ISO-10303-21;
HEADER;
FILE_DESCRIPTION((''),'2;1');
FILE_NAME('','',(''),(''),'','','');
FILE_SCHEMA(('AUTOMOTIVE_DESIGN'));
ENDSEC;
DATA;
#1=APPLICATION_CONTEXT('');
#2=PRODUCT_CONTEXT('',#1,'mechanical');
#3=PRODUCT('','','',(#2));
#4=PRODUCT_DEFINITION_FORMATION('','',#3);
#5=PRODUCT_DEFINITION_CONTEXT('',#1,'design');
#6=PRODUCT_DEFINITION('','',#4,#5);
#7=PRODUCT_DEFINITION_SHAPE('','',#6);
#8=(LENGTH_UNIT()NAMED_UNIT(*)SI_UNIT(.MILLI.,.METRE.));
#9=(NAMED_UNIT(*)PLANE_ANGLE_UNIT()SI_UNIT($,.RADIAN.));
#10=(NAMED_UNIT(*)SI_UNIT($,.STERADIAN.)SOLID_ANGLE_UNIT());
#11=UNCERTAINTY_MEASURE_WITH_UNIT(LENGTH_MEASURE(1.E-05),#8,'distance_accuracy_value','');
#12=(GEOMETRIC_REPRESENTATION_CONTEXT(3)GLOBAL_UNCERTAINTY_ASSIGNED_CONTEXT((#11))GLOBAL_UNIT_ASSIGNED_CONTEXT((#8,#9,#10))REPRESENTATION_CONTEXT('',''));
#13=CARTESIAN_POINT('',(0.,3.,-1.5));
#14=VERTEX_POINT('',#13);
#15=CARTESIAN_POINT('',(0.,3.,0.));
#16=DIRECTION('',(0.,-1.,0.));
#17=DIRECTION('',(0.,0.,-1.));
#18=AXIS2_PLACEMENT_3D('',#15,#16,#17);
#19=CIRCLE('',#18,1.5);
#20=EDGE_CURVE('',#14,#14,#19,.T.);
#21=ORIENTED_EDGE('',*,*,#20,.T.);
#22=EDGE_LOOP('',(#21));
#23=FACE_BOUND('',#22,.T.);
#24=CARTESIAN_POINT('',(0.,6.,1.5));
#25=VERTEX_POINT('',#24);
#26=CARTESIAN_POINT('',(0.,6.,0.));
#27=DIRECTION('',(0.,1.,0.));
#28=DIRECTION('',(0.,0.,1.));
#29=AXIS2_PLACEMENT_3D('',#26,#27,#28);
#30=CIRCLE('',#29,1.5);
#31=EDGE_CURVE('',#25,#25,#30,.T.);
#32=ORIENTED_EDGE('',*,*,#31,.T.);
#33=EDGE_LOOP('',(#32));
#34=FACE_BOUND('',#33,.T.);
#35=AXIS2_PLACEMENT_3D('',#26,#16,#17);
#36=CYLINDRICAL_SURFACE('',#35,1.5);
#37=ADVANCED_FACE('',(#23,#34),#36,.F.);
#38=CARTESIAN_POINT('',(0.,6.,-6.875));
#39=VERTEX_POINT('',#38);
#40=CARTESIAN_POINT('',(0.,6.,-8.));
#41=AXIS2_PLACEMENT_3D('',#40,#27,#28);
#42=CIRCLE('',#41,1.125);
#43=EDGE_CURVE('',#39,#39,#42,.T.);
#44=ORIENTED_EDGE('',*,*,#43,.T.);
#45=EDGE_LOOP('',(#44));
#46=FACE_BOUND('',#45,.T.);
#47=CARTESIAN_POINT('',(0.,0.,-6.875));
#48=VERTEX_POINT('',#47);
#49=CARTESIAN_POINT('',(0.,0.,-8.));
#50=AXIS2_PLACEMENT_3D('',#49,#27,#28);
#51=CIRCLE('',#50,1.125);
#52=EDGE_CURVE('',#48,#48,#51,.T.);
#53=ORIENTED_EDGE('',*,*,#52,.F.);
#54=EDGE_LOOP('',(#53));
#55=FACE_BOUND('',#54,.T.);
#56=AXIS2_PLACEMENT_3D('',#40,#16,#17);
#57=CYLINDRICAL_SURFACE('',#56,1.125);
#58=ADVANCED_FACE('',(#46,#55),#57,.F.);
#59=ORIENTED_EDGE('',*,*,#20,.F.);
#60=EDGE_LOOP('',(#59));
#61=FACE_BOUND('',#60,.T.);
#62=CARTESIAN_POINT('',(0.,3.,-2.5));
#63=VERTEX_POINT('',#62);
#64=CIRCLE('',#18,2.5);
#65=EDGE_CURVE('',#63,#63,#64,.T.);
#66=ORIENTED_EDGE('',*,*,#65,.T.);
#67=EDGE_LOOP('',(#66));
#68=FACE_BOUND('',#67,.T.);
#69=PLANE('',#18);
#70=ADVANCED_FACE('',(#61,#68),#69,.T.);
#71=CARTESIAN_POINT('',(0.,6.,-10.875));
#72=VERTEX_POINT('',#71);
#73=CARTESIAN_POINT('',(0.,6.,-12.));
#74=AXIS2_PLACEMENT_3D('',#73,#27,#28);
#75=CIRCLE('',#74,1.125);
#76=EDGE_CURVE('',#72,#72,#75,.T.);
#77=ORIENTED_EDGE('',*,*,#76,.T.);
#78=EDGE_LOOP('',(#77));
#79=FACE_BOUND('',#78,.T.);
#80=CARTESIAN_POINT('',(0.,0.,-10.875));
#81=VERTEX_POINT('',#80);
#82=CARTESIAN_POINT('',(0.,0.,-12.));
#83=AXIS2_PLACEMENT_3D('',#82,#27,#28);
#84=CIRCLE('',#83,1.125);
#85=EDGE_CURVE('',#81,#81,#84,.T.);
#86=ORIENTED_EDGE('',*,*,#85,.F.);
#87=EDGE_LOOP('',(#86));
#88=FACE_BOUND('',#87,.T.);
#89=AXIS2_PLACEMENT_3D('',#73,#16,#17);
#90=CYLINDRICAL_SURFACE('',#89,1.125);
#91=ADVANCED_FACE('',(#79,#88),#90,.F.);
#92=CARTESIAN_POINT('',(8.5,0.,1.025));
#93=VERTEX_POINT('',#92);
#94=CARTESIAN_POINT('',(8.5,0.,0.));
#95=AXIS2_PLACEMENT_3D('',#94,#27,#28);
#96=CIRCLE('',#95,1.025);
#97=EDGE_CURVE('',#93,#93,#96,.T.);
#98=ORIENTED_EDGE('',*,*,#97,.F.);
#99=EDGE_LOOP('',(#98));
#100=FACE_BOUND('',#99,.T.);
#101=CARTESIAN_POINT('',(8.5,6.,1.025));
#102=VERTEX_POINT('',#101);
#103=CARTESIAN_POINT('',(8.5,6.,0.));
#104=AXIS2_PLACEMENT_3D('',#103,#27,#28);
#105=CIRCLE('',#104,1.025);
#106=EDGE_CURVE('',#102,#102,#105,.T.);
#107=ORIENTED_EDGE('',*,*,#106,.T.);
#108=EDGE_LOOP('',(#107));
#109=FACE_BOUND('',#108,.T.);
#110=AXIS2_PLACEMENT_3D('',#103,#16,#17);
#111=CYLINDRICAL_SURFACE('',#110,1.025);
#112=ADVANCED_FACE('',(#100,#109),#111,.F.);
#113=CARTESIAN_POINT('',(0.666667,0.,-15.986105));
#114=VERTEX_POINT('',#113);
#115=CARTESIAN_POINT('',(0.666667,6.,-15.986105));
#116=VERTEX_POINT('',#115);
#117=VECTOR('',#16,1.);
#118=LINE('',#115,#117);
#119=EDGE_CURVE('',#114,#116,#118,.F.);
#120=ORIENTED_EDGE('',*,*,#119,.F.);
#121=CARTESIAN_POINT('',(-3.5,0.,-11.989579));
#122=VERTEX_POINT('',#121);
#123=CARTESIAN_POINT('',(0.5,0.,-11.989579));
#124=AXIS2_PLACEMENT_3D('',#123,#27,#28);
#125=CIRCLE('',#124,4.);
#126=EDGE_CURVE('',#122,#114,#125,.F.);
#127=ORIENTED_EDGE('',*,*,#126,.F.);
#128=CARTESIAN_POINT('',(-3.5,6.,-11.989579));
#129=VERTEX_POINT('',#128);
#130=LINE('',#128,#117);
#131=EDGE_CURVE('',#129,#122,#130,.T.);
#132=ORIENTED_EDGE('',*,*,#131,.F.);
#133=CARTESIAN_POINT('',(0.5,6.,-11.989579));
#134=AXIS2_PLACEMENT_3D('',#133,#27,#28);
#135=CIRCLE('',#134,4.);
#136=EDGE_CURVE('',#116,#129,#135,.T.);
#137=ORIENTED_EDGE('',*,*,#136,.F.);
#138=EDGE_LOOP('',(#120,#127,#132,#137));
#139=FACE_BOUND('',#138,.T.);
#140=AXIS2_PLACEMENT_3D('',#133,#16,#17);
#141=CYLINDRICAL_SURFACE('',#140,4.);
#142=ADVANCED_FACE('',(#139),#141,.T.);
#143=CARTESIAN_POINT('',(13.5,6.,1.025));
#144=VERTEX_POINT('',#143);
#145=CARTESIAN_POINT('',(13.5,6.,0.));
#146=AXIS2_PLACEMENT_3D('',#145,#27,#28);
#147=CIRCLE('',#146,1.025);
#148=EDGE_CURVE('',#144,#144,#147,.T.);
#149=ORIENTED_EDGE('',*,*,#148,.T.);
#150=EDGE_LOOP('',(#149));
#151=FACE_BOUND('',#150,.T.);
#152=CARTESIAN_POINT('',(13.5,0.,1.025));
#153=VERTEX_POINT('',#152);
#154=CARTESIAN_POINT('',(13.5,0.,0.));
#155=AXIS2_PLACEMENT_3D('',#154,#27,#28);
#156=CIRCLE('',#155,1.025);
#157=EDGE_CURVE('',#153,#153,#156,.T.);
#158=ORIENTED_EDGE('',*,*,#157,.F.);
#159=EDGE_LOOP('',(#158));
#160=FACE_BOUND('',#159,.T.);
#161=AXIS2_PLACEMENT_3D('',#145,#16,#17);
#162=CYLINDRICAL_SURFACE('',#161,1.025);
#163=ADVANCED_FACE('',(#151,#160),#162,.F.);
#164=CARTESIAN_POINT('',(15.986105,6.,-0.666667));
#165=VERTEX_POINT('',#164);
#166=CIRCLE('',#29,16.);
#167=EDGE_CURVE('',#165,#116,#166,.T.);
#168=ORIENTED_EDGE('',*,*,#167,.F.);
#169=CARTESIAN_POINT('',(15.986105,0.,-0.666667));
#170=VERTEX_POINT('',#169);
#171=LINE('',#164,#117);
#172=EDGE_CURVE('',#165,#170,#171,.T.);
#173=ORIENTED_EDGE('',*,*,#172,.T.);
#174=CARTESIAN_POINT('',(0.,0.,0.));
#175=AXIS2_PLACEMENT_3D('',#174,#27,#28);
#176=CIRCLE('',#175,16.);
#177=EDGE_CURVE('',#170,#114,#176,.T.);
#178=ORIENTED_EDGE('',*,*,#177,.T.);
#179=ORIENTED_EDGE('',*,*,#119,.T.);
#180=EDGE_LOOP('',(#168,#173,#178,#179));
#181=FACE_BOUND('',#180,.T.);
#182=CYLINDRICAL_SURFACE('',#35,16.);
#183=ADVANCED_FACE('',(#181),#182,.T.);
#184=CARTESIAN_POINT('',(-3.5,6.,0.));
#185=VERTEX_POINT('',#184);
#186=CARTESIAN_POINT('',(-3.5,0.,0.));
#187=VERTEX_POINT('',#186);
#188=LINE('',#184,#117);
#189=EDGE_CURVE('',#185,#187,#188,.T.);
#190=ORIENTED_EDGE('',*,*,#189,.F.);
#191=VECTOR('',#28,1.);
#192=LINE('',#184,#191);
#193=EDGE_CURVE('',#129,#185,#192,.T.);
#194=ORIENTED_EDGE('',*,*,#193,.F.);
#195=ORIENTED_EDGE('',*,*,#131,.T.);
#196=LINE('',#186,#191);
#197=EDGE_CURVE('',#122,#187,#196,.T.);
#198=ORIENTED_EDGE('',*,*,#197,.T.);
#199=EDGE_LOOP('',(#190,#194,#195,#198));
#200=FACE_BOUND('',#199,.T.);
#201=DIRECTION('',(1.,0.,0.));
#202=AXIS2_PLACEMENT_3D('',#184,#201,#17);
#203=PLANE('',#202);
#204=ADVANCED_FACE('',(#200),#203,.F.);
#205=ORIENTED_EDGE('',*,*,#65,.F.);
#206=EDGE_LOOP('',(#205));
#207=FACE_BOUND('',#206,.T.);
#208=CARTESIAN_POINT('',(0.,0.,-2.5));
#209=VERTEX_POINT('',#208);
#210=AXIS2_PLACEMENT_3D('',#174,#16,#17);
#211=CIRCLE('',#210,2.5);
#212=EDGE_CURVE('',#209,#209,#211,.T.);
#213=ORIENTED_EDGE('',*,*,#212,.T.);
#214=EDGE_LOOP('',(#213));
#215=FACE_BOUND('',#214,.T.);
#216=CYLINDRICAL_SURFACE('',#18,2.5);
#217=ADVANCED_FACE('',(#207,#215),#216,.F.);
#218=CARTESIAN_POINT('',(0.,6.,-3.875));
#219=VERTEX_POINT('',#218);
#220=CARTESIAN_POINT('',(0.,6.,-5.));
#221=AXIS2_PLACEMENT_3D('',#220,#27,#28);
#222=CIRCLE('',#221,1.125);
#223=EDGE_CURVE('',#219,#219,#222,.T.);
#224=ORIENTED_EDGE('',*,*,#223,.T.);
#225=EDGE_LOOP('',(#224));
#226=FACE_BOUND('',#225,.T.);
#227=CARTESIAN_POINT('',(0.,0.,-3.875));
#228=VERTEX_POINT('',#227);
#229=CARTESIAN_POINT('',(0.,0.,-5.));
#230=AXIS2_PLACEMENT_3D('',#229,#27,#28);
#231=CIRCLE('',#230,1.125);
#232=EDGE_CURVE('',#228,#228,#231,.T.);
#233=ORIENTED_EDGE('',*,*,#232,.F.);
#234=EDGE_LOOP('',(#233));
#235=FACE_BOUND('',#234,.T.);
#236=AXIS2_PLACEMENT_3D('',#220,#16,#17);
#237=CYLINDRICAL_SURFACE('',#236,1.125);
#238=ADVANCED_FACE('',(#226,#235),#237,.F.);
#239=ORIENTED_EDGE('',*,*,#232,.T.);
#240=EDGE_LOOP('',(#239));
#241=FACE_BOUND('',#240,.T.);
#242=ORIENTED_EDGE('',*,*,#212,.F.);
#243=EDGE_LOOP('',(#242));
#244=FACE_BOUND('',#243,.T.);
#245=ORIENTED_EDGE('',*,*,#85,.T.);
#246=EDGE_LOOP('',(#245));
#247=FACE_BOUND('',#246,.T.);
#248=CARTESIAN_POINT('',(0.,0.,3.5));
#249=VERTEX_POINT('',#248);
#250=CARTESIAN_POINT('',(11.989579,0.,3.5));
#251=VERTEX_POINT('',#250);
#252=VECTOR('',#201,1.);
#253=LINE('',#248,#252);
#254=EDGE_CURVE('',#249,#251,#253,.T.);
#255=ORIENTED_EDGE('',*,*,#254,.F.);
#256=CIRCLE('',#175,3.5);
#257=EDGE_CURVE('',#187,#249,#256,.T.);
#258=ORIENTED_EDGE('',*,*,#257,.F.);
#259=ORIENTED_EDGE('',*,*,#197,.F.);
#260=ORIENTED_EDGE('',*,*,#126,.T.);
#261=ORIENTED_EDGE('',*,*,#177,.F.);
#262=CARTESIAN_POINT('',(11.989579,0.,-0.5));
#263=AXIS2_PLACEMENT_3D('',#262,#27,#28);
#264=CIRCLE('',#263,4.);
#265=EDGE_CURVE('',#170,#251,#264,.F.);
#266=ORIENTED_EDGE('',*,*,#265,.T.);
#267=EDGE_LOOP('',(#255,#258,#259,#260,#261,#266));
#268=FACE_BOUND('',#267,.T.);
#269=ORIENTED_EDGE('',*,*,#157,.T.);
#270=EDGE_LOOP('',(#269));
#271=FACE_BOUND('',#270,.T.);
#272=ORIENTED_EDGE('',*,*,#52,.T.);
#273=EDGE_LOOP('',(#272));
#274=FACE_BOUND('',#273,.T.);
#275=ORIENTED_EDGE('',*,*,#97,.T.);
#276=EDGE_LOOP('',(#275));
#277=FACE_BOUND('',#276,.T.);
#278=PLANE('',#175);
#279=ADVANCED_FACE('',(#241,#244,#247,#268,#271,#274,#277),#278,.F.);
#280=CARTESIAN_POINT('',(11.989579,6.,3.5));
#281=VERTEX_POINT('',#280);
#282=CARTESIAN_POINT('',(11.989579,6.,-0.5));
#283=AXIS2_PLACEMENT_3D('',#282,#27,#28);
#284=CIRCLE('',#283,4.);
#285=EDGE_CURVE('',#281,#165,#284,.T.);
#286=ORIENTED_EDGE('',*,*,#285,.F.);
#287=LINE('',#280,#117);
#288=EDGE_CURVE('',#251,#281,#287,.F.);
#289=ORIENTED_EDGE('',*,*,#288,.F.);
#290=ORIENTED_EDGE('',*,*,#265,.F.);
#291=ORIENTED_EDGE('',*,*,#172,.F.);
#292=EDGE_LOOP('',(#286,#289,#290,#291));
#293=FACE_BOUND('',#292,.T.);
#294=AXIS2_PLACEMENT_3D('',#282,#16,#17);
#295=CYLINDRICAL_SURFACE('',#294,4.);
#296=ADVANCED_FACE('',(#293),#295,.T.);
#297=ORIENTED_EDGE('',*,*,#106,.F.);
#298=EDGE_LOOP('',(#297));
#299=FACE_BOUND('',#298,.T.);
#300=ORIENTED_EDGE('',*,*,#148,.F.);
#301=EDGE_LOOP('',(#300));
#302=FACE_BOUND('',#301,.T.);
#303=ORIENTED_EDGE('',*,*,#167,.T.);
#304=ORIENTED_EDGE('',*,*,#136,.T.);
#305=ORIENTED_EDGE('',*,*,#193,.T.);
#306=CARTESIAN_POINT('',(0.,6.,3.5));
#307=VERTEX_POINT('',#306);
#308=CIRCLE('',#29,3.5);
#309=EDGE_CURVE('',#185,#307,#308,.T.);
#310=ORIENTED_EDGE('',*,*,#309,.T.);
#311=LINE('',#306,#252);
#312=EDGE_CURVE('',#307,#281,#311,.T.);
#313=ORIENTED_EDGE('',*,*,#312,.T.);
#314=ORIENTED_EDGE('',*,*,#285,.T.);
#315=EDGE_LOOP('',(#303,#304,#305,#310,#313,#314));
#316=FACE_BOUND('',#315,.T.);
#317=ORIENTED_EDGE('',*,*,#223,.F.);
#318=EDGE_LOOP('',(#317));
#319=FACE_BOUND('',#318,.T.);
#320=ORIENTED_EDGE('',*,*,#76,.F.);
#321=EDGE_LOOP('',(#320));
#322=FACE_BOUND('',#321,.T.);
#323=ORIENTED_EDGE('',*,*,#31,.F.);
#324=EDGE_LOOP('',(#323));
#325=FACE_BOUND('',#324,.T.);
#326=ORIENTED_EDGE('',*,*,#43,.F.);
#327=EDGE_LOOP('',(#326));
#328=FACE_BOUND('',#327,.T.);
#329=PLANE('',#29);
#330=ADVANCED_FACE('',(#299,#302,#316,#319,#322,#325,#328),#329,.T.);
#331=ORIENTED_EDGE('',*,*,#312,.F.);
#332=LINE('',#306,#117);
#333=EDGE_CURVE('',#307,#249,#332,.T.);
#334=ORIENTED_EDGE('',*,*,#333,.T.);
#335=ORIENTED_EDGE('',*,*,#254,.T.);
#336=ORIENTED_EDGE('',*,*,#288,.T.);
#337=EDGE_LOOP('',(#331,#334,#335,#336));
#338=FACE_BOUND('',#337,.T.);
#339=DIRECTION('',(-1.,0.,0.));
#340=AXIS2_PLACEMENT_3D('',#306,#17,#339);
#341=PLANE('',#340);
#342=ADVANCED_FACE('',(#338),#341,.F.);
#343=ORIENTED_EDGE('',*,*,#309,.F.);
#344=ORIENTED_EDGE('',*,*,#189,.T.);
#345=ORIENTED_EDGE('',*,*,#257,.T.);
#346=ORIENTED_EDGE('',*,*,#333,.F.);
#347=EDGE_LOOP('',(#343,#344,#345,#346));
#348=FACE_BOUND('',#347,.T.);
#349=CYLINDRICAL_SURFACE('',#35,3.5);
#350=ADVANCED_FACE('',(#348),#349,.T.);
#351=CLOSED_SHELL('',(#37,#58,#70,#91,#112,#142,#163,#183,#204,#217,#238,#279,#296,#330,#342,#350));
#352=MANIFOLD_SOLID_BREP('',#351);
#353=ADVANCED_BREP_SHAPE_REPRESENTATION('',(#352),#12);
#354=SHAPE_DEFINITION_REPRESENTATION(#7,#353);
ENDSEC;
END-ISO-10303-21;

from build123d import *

# Parameters (mm, degrees)
SKETCH_1_R          = 1.025
SKETCH_1_R_2        = 1.5
SKETCH_1_R_3        = 1.125
EXTRUDE_1_DEPTH     = 6
SKETCH_3_R          = 2.5
CUT_EXTRUDE_1_DEPTH = 3
FILLET_1_R          = 4


with BuildPart() as part:
    # 草图1 → 凸台-拉伸1 (new body)
    with BuildSketch(Plane(origin=(0, 0, 0), x_dir=(1, 0, 0), z_dir=(0, 1, 0))):
        with BuildLine():
            Line((0, -3.5), (15.612494996, -3.5))
            ThreePointArc((15.612494996, -3.5), (11.313708499, 11.313708499), (-3.5, 15.612494996))
            Line((-3.5, 15.612494996), (-3.5, 0))
            ThreePointArc((-3.5, 0), (-2.474873734, -2.474873734), (0, -3.5))
        make_face()
        with Locations((8.5, 0)):
            Circle(SKETCH_1_R, mode=Mode.SUBTRACT)
        with Locations((13.5, 0)):
            Circle(SKETCH_1_R, mode=Mode.SUBTRACT)
        Circle(SKETCH_1_R_2, mode=Mode.SUBTRACT)
        with Locations((0, 12)):
            Circle(SKETCH_1_R_3, mode=Mode.SUBTRACT)
        with Locations((0, 8)):
            Circle(SKETCH_1_R_3, mode=Mode.SUBTRACT)
        with Locations((0, 5)):
            Circle(SKETCH_1_R_3, mode=Mode.SUBTRACT)
    extrude(amount=EXTRUDE_1_DEPTH)

    # 草图3 → 切除-拉伸1 (cut)
    with BuildSketch(Plane.XZ):
        Circle(SKETCH_3_R)
    extrude(amount=-CUT_EXTRUDE_1_DEPTH, mode=Mode.SUBTRACT)

    # 圆角1
    fillet_1_edges = [part.edges().sort_by_distance(p)[0] for p in [
        (15.612494996, 3, 3.5),
        (-3.5, 3, -15.612494996),
    ]]
    fillet(fillet_1_edges, radius=FILLET_1_R)


solid = part.part
